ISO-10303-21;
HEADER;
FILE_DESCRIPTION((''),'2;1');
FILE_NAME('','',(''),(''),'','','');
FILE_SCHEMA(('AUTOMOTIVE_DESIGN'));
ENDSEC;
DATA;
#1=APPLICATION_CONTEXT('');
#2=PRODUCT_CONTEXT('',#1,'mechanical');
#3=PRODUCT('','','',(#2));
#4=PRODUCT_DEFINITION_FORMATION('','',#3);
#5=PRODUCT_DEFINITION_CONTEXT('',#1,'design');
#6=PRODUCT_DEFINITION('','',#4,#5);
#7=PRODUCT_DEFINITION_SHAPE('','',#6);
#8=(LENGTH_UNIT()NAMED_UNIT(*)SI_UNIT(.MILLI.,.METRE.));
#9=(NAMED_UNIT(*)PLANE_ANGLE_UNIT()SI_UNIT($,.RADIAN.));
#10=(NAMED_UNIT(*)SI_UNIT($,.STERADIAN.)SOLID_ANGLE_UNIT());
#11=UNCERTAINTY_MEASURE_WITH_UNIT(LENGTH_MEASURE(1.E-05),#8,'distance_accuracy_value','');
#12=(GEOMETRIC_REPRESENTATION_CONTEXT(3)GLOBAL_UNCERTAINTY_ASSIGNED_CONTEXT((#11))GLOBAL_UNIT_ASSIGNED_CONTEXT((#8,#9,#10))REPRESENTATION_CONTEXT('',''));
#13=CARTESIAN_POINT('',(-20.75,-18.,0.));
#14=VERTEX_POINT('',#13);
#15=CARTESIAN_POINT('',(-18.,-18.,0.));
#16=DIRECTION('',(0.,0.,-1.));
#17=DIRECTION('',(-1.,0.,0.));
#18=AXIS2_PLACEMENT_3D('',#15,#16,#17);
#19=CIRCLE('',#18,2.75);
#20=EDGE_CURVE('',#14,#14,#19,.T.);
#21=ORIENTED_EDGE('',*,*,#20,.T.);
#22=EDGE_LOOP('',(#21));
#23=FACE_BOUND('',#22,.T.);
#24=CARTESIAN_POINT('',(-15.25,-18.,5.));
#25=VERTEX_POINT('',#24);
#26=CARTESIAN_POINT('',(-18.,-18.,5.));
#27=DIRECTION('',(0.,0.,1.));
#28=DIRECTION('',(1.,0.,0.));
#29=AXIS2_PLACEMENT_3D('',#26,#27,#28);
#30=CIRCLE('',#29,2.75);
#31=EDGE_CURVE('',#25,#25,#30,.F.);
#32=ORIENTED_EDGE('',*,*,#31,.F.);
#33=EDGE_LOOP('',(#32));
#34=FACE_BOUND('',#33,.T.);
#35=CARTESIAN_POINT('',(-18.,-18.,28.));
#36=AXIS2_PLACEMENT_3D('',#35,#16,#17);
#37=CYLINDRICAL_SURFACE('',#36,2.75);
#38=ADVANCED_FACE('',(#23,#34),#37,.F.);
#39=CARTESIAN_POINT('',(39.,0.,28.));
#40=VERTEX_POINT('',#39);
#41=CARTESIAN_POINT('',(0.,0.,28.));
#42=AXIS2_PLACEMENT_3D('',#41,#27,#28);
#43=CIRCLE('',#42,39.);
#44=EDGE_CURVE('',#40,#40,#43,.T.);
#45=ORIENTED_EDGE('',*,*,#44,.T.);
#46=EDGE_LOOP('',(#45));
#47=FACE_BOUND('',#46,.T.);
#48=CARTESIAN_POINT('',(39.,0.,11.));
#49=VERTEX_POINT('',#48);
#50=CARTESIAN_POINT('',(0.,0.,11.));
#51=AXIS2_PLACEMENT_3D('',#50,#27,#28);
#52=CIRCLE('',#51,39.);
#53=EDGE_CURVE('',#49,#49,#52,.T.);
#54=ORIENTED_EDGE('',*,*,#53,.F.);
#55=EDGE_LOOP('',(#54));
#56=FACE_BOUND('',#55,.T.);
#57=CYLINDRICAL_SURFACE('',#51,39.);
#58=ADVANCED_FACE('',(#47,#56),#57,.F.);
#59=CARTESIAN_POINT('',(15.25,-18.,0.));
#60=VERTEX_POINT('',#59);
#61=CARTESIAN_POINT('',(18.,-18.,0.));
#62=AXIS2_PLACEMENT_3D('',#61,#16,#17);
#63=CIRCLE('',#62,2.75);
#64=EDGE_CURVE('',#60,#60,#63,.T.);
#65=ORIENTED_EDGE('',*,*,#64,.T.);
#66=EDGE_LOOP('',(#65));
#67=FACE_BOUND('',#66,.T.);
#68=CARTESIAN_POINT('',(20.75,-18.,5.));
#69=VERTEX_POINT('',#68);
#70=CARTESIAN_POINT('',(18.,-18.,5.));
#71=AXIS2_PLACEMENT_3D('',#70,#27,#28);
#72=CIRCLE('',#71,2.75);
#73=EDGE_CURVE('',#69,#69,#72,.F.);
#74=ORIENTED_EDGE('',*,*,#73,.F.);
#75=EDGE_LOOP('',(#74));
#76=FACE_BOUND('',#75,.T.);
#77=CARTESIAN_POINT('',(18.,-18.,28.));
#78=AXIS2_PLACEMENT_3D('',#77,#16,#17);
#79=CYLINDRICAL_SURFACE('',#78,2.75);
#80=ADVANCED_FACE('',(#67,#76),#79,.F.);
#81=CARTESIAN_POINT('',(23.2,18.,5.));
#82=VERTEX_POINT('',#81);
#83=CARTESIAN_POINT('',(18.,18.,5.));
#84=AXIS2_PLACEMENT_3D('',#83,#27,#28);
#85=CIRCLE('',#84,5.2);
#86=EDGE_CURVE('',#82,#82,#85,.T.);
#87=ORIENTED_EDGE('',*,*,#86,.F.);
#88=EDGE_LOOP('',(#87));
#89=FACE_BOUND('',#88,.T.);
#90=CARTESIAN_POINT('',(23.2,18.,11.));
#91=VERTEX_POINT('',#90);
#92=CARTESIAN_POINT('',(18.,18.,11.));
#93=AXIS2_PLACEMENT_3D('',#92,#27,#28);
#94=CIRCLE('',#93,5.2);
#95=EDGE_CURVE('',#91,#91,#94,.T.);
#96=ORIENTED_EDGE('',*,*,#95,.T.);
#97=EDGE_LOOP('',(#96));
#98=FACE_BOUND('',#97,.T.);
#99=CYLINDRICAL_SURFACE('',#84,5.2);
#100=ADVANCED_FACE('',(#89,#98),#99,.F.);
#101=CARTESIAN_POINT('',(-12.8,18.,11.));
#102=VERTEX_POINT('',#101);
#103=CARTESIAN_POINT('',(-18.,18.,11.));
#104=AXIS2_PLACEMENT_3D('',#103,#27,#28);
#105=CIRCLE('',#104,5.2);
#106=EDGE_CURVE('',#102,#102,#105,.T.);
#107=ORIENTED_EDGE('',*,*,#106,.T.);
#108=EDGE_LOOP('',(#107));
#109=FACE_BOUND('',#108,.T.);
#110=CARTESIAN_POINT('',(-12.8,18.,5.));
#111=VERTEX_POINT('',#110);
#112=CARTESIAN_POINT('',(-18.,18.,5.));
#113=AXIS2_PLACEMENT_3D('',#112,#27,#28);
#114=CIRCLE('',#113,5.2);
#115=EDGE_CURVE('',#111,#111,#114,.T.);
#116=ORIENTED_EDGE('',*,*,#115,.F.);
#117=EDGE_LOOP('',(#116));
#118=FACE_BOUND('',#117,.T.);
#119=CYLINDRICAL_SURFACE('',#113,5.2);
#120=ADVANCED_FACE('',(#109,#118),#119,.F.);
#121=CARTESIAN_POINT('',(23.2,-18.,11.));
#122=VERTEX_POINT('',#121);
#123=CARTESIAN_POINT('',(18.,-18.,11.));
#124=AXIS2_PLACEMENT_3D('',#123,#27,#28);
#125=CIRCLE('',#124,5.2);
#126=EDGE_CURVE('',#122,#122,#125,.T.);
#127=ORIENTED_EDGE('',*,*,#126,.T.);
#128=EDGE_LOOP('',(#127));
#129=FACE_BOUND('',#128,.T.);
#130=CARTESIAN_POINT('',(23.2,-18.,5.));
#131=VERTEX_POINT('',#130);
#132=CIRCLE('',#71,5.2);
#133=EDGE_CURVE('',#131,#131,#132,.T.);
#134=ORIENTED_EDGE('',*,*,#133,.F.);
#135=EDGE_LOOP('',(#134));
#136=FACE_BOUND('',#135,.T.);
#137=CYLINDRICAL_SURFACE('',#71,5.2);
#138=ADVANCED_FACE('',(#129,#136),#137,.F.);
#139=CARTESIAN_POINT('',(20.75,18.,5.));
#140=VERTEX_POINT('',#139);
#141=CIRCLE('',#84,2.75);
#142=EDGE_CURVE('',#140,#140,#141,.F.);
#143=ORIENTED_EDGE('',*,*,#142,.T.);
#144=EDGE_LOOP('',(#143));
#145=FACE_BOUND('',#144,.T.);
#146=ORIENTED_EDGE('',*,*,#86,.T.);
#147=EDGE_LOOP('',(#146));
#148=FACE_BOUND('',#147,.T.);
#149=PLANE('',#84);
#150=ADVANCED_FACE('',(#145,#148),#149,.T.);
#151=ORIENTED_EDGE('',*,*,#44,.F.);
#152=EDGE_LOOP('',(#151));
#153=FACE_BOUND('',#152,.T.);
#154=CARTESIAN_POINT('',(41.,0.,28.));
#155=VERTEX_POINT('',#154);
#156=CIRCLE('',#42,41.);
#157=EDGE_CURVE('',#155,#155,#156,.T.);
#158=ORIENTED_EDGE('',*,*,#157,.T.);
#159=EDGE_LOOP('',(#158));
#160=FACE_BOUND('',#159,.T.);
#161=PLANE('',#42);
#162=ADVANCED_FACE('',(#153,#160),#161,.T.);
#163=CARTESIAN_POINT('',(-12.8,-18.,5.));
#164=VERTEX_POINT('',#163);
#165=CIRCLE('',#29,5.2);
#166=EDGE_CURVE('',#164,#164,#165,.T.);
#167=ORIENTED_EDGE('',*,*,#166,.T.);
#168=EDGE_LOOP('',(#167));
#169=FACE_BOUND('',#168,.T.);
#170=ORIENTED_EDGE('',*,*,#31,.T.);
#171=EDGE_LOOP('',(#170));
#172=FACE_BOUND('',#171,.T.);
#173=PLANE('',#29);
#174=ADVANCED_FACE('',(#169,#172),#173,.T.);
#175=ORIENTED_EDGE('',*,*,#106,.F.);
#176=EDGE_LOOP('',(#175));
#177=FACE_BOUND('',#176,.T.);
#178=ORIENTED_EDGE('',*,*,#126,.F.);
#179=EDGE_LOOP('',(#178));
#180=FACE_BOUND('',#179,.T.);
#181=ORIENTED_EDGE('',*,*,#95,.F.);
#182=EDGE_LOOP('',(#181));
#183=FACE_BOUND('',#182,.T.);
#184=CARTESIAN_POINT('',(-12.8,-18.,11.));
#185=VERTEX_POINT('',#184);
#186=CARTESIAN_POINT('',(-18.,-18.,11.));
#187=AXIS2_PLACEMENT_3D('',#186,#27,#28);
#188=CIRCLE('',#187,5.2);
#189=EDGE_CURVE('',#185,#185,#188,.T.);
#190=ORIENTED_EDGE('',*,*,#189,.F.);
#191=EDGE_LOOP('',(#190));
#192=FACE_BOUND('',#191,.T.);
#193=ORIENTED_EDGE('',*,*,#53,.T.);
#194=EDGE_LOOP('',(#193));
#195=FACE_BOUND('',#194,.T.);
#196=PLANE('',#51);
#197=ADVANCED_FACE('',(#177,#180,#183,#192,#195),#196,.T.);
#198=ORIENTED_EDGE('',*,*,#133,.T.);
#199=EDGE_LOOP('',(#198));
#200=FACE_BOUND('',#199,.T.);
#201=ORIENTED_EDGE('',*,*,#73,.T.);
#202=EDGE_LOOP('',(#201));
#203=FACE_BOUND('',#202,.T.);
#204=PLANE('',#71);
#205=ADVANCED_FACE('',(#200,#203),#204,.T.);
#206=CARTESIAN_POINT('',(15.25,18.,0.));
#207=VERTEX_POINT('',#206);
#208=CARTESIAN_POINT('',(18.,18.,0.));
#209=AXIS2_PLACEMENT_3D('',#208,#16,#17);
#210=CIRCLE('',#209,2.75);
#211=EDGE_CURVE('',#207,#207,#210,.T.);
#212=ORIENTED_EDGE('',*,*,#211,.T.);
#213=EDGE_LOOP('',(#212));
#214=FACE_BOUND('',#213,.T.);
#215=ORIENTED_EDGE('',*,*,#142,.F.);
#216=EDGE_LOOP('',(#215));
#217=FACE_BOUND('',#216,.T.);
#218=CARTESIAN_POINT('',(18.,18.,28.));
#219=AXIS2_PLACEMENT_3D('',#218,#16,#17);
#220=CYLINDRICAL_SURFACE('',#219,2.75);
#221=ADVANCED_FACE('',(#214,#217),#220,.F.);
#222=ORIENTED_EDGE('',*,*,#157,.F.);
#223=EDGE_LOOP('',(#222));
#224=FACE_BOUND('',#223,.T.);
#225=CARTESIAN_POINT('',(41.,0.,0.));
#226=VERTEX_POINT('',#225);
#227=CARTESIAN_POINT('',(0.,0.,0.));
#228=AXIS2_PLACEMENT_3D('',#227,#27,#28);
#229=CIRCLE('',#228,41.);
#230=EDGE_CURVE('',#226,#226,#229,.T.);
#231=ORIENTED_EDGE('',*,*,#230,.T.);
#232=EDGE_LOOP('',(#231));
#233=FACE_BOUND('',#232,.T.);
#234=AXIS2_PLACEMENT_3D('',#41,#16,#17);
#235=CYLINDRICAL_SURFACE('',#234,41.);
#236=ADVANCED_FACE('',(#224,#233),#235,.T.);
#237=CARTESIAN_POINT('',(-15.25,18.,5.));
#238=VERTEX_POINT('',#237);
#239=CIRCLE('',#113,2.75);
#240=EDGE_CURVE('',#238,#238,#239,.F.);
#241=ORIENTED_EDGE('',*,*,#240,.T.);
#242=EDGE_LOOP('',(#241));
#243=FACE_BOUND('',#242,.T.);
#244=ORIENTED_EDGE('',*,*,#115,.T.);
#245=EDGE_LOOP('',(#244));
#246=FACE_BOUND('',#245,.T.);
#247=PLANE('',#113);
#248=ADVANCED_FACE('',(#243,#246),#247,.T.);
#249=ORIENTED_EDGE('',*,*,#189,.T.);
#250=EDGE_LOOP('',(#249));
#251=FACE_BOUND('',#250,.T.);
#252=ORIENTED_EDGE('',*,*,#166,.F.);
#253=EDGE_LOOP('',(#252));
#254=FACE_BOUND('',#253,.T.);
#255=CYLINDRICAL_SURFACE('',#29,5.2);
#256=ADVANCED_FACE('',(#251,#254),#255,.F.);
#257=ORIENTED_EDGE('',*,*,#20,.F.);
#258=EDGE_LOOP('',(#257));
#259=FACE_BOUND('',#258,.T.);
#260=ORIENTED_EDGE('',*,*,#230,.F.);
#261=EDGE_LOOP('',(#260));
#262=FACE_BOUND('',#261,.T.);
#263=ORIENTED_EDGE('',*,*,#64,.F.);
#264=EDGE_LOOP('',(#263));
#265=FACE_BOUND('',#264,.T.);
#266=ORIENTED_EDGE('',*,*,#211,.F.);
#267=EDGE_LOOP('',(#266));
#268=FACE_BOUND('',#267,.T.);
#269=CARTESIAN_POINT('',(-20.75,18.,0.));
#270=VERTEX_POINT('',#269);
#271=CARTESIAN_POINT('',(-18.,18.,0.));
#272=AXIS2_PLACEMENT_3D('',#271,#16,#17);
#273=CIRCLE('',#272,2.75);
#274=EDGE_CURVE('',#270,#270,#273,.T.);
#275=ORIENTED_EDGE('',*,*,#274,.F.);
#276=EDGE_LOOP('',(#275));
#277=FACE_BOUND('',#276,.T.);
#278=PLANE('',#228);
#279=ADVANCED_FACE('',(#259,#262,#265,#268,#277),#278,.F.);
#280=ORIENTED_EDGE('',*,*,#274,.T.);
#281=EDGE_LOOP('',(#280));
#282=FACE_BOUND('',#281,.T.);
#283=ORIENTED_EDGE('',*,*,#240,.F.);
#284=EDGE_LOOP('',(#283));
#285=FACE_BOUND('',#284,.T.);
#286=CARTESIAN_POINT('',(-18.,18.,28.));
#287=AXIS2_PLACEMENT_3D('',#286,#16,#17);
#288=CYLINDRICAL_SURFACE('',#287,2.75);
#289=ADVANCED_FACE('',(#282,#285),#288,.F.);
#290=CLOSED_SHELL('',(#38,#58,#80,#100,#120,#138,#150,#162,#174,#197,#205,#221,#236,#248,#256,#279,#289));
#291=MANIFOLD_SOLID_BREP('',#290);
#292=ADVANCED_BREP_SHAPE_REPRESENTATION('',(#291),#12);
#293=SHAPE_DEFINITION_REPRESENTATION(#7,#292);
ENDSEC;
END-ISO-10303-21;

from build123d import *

# Parameters (mm, degrees)
SCHIZZO2_R                   = 41
ESTRUSIONE_ESTRUSIONE1_DEPTH = 28
SCHIZZO3_R                   = 39
TAGLIO_ESTRUSIONE1_DEPTH     = 17
SCHIZZO4_R                   = 2.75
TAGLIO_ESTRUSIONE3_DEPTH     = 29
SCHIZZO5_R                   = 5.2
TAGLIO_ESTRUSIONE4_DEPTH     = 6


with BuildPart() as part:
    # Schizzo2 → Estrusione-Estrusione1 (new body)
    with BuildSketch(Plane.XY):
        Circle(SCHIZZO2_R)
    extrude(amount=ESTRUSIONE_ESTRUSIONE1_DEPTH)

    # Schizzo3 → Taglio-Estrusione1 (cut)
    with BuildSketch(Plane.XY.offset(28)):
        Circle(SCHIZZO3_R)
    extrude(amount=-TAGLIO_ESTRUSIONE1_DEPTH, mode=Mode.SUBTRACT)

    # Schizzo4 → Taglio-Estrusione3 (cut, through all)
    with BuildSketch(Plane(origin=(0, 0, 0), x_dir=(-1, 0, 0), z_dir=(0, 0, -1))):
        with Locations((-18, 18)):
            Circle(SCHIZZO4_R)
        with Locations((18, 18)):
            Circle(SCHIZZO4_R)
        with Locations((18, -18)):
            Circle(SCHIZZO4_R)
        with Locations((-18, -18)):
            Circle(SCHIZZO4_R)
    extrude(amount=-TAGLIO_ESTRUSIONE3_DEPTH, mode=Mode.SUBTRACT)

    # Schizzo5 → Taglio-Estrusione4 (cut)
    with BuildSketch(Plane.XY.offset(11)):
        with Locations((-18, 18)):
            Circle(SCHIZZO5_R)
        with Locations((18, 18)):
            Circle(SCHIZZO5_R)
        with Locations((18, -18)):
            Circle(SCHIZZO5_R)
        with Locations((-18, -18)):
            Circle(SCHIZZO5_R)
    extrude(amount=-TAGLIO_ESTRUSIONE4_DEPTH, mode=Mode.SUBTRACT)


solid = part.part
